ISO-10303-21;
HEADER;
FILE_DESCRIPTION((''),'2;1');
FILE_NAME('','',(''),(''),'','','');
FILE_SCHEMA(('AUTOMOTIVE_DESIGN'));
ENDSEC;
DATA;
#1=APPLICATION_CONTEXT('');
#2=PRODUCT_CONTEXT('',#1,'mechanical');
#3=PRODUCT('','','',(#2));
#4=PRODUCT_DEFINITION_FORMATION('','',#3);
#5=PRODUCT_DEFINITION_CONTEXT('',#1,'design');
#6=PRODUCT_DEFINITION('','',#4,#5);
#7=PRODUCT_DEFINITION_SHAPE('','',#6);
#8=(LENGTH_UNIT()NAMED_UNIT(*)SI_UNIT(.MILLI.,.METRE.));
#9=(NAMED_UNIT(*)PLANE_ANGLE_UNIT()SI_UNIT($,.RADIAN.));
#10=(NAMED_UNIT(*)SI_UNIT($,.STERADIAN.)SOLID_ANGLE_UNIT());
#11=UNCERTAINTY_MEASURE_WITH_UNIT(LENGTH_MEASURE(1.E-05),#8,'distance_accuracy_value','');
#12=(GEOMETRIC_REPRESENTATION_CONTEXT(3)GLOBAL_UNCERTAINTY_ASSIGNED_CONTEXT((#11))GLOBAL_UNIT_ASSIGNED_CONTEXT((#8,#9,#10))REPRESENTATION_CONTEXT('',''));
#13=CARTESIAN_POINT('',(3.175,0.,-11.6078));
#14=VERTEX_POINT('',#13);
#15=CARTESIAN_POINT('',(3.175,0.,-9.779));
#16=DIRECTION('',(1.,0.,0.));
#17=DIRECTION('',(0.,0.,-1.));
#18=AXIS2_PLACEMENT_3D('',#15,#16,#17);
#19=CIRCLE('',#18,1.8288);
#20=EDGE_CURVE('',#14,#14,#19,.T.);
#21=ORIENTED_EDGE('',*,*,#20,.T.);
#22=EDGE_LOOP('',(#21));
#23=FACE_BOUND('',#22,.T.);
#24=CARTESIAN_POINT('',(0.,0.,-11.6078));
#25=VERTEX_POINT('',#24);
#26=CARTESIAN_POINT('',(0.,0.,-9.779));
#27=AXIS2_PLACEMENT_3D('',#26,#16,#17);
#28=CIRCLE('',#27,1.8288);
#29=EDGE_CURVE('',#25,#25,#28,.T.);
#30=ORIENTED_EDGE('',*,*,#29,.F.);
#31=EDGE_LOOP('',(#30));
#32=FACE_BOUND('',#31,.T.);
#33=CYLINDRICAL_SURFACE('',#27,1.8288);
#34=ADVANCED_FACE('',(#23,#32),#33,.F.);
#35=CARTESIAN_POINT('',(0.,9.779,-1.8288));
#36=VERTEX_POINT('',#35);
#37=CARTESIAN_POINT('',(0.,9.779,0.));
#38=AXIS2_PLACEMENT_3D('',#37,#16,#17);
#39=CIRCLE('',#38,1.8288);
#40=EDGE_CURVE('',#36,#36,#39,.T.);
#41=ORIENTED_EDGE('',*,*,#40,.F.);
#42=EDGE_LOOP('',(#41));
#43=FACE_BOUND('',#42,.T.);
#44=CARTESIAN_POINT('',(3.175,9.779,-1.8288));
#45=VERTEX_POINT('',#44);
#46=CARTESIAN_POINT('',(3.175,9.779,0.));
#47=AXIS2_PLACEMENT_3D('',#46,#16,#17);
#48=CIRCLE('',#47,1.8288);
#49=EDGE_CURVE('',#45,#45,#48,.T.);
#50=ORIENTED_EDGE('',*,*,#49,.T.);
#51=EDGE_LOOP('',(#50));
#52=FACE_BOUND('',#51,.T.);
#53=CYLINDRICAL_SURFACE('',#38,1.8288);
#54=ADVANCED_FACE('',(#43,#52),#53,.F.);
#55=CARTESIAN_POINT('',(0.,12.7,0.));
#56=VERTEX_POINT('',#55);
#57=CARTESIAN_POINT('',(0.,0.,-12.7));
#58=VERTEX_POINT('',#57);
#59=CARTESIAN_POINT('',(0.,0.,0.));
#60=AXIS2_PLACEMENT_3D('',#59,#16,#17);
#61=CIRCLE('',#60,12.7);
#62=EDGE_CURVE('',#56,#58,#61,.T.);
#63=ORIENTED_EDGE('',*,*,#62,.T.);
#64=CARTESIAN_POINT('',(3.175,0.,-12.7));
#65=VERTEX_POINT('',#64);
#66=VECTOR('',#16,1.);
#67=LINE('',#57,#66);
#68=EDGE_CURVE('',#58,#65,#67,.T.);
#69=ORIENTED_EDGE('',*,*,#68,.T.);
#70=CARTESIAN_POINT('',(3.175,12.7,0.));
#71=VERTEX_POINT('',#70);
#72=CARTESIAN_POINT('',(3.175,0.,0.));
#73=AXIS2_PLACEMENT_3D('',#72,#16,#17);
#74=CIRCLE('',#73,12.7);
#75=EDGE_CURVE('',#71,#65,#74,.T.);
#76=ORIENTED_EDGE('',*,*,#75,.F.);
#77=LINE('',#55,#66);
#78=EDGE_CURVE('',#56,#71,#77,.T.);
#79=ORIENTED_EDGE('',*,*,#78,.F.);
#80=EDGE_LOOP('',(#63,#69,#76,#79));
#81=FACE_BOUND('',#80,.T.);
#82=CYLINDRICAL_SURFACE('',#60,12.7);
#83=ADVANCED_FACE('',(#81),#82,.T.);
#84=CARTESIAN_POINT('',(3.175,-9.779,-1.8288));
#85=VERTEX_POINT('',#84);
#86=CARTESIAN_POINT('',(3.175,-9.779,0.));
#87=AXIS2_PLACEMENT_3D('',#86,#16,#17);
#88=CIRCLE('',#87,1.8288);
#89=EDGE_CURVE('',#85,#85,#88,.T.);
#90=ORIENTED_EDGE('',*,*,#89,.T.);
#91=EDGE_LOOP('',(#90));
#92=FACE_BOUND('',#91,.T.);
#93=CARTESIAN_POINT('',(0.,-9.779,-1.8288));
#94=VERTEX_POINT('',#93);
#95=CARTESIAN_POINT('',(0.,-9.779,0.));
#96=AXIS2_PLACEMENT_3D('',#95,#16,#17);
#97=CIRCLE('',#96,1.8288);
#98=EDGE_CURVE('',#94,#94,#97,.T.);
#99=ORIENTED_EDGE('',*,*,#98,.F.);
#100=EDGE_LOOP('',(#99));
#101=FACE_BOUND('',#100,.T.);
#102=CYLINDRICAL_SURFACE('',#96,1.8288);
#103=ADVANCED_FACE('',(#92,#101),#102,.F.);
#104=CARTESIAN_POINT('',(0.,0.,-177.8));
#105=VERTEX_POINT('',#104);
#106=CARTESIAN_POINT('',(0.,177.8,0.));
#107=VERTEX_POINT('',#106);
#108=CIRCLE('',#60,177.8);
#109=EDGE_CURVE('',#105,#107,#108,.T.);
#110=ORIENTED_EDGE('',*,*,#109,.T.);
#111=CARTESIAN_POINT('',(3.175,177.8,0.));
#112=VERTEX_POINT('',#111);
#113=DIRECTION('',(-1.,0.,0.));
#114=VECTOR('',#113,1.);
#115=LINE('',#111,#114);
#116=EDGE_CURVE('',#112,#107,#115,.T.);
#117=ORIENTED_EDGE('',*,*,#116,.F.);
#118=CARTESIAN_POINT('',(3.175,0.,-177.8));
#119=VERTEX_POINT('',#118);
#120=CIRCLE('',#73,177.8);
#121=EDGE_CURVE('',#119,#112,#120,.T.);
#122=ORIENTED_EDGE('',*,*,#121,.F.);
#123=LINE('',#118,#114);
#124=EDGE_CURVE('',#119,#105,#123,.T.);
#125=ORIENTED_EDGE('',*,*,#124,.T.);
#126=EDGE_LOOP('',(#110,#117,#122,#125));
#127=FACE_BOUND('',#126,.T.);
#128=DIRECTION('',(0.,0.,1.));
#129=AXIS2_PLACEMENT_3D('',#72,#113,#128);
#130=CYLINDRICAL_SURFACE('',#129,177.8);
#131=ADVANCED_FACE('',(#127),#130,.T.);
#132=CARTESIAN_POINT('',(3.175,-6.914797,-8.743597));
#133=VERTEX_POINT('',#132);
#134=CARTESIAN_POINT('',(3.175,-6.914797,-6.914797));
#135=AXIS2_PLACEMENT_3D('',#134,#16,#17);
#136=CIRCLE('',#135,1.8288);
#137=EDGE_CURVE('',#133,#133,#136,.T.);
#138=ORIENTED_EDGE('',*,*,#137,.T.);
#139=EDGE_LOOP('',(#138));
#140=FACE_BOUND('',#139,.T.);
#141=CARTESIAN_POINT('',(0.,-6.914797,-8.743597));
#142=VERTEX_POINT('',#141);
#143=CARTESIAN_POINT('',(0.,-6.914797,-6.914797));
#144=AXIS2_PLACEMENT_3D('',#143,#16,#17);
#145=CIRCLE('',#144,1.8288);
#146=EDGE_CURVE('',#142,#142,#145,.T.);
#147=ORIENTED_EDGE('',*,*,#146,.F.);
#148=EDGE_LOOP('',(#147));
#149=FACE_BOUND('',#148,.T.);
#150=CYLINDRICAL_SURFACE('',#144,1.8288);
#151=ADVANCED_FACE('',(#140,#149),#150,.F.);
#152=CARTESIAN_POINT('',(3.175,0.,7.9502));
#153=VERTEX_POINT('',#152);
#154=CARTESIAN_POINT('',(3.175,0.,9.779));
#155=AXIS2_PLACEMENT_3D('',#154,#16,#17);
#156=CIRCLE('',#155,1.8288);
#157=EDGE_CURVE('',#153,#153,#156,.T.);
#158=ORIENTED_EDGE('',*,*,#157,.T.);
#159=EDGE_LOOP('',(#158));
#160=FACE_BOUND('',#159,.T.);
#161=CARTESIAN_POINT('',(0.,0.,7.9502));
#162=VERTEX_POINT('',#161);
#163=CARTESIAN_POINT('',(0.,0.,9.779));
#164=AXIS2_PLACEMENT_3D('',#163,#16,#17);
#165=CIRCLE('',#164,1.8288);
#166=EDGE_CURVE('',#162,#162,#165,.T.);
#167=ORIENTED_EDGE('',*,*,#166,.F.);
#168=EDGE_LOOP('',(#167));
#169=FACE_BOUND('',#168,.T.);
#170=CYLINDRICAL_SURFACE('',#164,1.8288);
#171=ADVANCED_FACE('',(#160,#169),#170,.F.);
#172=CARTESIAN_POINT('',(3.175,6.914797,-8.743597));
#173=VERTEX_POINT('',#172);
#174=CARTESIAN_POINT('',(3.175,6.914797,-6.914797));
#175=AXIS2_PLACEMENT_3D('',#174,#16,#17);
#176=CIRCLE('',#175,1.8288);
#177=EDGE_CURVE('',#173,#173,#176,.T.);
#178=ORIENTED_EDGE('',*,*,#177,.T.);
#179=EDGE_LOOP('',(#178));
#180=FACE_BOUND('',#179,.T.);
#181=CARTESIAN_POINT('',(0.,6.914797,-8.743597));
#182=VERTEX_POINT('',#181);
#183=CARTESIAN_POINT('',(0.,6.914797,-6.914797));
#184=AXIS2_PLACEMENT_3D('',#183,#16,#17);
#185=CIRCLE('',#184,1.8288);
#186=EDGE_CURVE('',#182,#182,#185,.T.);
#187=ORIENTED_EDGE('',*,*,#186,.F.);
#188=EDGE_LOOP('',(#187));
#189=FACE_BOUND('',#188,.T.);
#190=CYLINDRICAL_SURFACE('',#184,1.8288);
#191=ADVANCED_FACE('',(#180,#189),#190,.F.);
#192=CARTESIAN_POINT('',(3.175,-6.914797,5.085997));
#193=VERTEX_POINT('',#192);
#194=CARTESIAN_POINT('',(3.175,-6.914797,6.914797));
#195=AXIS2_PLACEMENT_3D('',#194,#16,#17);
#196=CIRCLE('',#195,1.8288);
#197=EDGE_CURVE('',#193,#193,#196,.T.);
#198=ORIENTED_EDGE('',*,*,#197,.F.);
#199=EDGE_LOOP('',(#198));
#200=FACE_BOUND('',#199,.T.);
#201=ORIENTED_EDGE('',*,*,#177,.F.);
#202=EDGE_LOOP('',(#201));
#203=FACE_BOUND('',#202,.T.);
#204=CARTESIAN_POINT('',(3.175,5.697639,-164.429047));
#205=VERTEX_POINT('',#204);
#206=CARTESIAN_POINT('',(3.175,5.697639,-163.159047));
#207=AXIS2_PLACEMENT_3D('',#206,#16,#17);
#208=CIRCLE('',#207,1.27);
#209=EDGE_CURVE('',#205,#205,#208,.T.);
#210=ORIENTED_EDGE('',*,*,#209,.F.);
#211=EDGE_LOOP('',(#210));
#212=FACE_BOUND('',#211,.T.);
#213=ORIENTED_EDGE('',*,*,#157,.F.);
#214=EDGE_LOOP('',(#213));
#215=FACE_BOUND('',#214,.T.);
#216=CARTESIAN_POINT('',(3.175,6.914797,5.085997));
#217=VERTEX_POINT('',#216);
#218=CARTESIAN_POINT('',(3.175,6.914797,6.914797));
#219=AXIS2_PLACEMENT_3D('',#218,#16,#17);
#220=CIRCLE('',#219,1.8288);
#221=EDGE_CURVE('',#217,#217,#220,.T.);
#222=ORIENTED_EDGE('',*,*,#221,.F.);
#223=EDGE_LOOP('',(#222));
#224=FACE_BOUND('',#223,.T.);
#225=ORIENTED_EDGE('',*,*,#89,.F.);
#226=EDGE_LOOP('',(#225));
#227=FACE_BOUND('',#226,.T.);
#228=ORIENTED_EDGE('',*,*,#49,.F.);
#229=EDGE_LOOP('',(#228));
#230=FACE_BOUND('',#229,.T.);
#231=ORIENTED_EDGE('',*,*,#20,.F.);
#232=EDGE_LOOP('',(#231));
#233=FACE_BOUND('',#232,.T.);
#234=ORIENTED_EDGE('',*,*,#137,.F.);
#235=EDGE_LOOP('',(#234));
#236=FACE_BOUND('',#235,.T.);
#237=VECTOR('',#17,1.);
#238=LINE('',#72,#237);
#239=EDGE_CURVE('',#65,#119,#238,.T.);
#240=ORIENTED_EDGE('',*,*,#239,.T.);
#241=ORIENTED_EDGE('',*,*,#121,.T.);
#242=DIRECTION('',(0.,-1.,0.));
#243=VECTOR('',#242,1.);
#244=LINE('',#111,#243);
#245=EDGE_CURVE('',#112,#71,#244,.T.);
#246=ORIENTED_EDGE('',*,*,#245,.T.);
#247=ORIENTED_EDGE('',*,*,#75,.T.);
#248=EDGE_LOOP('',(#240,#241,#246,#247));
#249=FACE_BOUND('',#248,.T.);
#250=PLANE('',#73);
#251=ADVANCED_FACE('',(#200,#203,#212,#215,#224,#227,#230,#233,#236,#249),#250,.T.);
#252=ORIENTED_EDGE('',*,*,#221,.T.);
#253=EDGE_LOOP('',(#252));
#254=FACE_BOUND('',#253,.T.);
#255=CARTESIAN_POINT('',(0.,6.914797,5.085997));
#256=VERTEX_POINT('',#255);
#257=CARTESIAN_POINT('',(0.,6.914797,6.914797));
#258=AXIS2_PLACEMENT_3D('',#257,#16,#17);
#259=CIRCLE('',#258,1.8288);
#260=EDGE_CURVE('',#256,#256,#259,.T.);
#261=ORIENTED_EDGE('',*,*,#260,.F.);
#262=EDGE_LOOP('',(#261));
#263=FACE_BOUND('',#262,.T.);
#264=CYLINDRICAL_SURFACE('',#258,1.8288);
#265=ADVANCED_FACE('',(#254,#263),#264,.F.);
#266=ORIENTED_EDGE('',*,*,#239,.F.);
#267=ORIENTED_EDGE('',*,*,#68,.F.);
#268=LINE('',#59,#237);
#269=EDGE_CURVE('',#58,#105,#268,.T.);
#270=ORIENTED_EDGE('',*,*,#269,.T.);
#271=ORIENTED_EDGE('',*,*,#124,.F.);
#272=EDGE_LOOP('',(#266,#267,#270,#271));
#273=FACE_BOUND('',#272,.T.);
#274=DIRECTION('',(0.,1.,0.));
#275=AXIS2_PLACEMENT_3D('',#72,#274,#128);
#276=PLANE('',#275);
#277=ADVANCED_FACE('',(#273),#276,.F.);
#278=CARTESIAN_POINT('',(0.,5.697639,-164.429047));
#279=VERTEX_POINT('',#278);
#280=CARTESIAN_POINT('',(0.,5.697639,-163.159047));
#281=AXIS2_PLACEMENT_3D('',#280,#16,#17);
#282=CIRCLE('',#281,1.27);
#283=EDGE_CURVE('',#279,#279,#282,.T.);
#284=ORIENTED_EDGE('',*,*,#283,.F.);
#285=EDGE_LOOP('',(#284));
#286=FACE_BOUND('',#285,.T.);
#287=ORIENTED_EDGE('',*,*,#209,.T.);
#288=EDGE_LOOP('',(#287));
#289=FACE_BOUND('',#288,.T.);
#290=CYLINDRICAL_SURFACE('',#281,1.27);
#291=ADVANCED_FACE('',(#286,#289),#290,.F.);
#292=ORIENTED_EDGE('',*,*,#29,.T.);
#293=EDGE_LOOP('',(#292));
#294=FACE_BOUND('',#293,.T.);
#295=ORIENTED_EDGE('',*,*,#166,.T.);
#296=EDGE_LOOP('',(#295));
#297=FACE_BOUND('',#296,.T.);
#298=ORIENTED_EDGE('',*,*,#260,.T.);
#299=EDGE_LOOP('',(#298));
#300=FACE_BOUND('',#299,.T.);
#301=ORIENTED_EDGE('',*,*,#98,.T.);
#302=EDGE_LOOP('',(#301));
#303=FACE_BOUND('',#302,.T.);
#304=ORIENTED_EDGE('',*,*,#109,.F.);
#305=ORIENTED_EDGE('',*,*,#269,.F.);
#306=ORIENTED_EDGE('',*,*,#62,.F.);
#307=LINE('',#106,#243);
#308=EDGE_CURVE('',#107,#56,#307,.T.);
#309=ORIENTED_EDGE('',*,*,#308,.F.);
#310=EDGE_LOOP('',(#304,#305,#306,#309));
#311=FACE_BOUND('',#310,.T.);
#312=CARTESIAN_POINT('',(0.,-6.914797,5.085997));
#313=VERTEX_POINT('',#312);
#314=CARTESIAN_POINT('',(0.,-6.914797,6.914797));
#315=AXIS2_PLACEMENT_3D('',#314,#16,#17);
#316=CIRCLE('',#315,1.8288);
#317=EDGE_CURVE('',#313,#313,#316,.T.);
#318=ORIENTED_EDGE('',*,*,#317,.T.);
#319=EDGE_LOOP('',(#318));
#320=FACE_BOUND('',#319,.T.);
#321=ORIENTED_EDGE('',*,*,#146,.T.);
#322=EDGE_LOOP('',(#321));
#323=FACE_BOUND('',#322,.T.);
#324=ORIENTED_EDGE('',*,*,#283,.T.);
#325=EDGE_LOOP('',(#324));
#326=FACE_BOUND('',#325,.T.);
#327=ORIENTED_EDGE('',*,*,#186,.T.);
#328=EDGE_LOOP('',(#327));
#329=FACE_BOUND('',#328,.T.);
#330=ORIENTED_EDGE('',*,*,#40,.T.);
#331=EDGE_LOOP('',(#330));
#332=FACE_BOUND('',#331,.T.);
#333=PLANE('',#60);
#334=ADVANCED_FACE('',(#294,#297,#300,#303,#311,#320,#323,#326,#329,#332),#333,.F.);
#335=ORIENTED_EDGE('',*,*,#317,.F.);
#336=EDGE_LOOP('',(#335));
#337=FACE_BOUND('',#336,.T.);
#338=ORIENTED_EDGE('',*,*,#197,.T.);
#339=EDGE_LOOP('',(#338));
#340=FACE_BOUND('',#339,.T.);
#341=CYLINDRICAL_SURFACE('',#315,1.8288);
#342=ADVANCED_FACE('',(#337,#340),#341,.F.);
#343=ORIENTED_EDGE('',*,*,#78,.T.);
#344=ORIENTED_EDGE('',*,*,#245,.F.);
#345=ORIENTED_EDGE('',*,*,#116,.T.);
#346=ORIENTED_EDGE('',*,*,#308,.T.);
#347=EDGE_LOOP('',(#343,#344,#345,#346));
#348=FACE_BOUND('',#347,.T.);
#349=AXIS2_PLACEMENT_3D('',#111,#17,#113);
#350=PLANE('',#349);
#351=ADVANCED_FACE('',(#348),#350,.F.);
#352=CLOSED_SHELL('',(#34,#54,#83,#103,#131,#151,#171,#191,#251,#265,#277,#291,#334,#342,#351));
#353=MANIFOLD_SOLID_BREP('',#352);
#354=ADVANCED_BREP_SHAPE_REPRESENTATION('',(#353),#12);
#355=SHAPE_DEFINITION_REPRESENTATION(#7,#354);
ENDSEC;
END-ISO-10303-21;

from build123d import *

# Parameters (mm, degrees)
BOSS_EXTRUDE1_DEPTH = 3.175
BOSS_EXTRUDE2_DEPTH = 3.175
SKETCH3_R           = 1.8288
CUT_EXTRUDE1_DEPTH  = 4.175
SKETCH5_R           = 1.27
CUT_EXTRUDE2_DEPTH  = 4.175


with BuildPart() as part:
    # Sketch1 → Boss-Extrude1 (new body)
    with BuildSketch(Plane(origin=(0, 0, 0), x_dir=(0, 0, -1), z_dir=(1, 0, 0))):
        with BuildLine():
            Line((0, 177.8), (0, 0))
            Line((0, 0), (177.8, 0))
            ThreePointArc((177.8, 0), (125.723585695, 125.723585695), (0, 177.8))
        make_face()
    extrude(amount=BOSS_EXTRUDE1_DEPTH)

    # Sketch2 → Boss-Extrude2 (add)
    with BuildSketch(Plane(origin=(3.175, 0, 0), x_dir=(0, 0, -1), z_dir=(1, 0, 0))):
        with BuildLine():
            Line((0, 0), (0, 12.7))
            ThreePointArc((0, 12.7), (-8.980256121, -8.980256121), (12.7, 0))
            Line((12.7, 0), (0, 0))
        make_face()
    extrude(amount=-BOSS_EXTRUDE2_DEPTH)

    # Sketch3 → Cut-Extrude1 (cut, through all)
    with BuildSketch(Plane(origin=(3.175, 0, 0), x_dir=(0, 0, -1), z_dir=(1, 0, 0))):
        with Locations((0, 9.779)):
            Circle(SKETCH3_R)
        with Locations((6.914797213, 6.914797213)):
            Circle(SKETCH3_R)
        with Locations((9.779, 0)):
            Circle(SKETCH3_R)
        with Locations((6.914797213, -6.914797213)):
            Circle(SKETCH3_R)
        with Locations((0, -9.779)):
            Circle(SKETCH3_R)
        with Locations((-6.914797213, -6.914797213)):
            Circle(SKETCH3_R)
        with Locations((-9.779, 0)):
            Circle(SKETCH3_R)
        with Locations((-6.914797213, 6.914797213)):
            Circle(SKETCH3_R)
    extrude(amount=-CUT_EXTRUDE1_DEPTH, mode=Mode.SUBTRACT)

    # Sketch5 → Cut-Extrude2 (cut, through all)
    with BuildSketch(Plane(origin=(3.175, 0, 0), x_dir=(0, 0, -1), z_dir=(1, 0, 0))):
        with Locations((163.159047333, 5.697639482)):
            Circle(SKETCH5_R)
    extrude(amount=-CUT_EXTRUDE2_DEPTH, mode=Mode.SUBTRACT)


solid = part.part
